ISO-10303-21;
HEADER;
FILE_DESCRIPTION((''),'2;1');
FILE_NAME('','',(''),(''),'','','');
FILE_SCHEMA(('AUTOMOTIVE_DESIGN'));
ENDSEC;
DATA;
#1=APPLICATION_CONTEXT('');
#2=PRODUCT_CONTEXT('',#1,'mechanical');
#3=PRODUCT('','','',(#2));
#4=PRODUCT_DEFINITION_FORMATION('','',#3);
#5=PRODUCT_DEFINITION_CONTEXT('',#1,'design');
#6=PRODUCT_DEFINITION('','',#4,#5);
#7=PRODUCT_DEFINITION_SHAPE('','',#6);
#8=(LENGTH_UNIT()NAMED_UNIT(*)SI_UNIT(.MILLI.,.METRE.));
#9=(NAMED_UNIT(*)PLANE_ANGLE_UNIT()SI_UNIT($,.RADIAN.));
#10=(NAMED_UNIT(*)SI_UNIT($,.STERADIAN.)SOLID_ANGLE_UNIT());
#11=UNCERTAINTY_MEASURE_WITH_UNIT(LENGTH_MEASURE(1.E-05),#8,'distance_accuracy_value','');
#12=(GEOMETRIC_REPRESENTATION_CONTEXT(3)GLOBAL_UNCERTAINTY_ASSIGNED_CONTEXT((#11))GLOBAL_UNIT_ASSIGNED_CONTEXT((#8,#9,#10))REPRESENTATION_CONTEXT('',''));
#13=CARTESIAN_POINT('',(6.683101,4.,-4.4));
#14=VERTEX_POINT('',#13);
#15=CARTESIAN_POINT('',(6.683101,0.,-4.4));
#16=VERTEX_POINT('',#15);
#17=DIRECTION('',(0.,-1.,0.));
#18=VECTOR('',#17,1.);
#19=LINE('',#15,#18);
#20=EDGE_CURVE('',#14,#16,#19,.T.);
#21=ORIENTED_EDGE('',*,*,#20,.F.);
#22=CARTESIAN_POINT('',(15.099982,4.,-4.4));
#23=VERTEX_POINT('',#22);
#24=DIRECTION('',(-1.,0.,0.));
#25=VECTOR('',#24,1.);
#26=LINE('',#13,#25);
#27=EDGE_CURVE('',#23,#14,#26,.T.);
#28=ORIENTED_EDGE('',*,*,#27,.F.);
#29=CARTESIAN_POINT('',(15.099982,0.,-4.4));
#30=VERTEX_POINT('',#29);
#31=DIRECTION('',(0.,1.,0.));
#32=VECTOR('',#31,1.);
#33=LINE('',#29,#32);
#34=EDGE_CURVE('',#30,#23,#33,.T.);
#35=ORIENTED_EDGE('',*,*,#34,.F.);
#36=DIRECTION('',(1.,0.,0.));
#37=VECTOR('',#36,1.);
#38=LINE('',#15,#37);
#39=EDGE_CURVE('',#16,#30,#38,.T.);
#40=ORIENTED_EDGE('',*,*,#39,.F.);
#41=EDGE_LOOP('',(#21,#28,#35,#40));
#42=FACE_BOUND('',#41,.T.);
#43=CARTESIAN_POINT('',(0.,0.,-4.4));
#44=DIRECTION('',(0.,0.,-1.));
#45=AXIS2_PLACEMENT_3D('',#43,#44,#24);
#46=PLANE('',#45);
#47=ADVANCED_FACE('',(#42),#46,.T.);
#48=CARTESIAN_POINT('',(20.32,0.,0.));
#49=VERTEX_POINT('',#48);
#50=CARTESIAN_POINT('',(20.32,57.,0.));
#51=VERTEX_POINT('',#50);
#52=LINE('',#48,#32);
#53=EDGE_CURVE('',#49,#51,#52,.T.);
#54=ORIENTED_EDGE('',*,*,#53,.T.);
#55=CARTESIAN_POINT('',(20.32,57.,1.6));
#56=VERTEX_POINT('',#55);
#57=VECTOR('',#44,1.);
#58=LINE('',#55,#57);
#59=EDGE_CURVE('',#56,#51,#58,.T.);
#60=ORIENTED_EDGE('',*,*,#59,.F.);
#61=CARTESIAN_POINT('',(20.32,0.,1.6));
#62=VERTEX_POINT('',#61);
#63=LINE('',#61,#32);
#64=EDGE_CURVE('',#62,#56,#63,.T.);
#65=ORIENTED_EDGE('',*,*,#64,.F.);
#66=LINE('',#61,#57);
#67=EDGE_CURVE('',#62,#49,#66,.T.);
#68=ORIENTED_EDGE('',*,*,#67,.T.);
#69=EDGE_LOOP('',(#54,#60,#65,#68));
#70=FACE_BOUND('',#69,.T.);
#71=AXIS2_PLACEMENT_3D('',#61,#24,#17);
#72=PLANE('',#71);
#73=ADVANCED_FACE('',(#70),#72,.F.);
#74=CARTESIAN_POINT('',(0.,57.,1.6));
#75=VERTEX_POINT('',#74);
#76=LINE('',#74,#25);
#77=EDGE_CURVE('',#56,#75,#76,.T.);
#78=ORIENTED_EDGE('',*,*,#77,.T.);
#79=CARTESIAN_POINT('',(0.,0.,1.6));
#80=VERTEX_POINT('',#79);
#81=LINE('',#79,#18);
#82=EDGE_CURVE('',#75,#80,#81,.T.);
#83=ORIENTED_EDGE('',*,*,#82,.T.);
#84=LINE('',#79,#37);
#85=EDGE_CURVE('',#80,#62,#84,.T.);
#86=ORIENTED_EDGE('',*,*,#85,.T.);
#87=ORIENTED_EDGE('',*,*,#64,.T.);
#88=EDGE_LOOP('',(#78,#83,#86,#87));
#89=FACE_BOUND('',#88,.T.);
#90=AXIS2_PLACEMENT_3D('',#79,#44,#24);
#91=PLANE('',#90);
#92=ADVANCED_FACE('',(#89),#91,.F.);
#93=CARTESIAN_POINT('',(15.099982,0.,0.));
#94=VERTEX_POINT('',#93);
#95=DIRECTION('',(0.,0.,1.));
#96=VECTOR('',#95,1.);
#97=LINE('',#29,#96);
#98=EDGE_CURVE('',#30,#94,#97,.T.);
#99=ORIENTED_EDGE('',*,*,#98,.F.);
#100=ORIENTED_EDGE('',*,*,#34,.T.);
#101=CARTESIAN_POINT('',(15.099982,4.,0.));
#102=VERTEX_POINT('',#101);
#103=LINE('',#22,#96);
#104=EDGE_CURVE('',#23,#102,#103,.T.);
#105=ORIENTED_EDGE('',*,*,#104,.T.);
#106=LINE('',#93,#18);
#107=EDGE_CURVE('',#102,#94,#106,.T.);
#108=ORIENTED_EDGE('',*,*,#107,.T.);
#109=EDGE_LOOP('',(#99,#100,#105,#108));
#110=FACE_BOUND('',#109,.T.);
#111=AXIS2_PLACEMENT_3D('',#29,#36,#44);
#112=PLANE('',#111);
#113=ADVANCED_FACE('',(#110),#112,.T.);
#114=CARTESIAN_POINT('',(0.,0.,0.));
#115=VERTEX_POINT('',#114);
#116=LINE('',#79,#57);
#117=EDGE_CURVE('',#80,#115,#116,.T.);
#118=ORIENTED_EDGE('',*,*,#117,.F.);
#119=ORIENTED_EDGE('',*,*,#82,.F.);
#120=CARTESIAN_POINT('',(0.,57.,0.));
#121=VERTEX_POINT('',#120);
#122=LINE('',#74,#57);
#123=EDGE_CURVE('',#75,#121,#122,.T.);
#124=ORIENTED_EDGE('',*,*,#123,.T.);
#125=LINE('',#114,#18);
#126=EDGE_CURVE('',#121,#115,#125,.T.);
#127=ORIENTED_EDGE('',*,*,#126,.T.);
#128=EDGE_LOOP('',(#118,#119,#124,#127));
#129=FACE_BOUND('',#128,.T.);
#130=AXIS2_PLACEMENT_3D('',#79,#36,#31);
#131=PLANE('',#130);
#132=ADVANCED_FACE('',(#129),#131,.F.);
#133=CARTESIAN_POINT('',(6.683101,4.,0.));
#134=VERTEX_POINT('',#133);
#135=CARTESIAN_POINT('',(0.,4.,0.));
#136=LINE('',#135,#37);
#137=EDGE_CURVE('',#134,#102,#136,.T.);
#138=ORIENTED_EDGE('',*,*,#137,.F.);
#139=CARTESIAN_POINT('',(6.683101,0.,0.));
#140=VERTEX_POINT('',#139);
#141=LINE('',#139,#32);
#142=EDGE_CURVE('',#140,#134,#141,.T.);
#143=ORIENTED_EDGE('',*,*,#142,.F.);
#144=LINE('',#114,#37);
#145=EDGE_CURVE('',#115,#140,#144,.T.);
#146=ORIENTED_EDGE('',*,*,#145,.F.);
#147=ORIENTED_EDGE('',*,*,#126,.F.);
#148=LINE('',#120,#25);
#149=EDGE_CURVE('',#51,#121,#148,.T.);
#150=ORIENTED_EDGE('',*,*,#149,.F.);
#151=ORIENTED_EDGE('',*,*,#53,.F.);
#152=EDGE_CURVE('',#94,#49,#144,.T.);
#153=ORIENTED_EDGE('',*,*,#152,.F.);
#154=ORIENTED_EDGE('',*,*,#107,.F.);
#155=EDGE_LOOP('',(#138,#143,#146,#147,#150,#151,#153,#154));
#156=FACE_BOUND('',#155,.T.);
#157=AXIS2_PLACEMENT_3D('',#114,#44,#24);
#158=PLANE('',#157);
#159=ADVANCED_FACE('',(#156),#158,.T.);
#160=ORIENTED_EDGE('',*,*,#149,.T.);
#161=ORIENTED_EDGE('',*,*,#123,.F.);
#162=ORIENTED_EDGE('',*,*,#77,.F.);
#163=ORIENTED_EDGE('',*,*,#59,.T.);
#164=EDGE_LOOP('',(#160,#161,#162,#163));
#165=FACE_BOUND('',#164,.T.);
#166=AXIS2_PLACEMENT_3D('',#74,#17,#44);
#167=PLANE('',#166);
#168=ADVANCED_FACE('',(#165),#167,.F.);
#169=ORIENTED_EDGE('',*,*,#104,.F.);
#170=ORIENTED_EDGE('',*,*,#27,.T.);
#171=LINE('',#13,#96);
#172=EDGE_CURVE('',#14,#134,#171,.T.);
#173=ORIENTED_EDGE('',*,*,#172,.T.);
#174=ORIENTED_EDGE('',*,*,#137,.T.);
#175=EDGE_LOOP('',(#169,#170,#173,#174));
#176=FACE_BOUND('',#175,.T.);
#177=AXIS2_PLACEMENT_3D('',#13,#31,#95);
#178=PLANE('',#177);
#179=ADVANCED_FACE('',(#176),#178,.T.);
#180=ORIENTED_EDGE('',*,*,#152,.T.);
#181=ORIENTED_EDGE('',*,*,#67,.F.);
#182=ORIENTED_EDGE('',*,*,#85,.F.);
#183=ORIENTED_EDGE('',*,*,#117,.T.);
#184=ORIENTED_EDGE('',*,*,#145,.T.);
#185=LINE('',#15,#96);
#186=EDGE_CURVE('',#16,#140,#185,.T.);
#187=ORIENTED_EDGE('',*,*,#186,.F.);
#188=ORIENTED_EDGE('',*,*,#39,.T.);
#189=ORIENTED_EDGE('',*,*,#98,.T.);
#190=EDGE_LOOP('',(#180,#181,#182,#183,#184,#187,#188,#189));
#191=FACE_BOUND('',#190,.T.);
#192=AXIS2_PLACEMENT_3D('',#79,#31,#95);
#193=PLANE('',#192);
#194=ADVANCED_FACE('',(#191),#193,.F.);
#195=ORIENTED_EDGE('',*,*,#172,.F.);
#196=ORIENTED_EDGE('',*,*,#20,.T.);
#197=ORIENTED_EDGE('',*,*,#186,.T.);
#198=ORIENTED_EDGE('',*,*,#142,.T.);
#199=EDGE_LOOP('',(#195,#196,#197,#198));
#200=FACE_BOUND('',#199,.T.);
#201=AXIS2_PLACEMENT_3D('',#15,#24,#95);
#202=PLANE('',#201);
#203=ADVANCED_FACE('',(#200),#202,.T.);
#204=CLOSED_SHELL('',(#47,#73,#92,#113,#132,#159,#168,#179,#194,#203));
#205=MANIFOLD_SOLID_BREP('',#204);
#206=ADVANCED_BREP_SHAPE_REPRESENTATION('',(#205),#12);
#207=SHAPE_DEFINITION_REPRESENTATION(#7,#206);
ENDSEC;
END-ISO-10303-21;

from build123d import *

# Parameters (mm, degrees)
SKETCH1_W           = 20.32
SKETCH1_H           = 57
BOSS_EXTRUDE1_DEPTH = 1.6
SKETCH2_W           = 8.416880896
SKETCH2_H           = 4
BOSS_EXTRUDE2_DEPTH = 6


with BuildPart() as part:
    # Sketch1 → Boss-Extrude1 (new body)
    with BuildSketch(Plane.XY):
        with Locations((10.16, 28.5)):
            Rectangle(SKETCH1_W, SKETCH1_H)
    extrude(amount=BOSS_EXTRUDE1_DEPTH)

    # Sketch2 → Boss-Extrude2 (add)
    with BuildSketch(Plane.XY.offset(1.6)):
        with Locations((10.891541536, 2)):
            Rectangle(SKETCH2_W, SKETCH2_H)
    extrude(amount=-BOSS_EXTRUDE2_DEPTH)


solid = part.part
